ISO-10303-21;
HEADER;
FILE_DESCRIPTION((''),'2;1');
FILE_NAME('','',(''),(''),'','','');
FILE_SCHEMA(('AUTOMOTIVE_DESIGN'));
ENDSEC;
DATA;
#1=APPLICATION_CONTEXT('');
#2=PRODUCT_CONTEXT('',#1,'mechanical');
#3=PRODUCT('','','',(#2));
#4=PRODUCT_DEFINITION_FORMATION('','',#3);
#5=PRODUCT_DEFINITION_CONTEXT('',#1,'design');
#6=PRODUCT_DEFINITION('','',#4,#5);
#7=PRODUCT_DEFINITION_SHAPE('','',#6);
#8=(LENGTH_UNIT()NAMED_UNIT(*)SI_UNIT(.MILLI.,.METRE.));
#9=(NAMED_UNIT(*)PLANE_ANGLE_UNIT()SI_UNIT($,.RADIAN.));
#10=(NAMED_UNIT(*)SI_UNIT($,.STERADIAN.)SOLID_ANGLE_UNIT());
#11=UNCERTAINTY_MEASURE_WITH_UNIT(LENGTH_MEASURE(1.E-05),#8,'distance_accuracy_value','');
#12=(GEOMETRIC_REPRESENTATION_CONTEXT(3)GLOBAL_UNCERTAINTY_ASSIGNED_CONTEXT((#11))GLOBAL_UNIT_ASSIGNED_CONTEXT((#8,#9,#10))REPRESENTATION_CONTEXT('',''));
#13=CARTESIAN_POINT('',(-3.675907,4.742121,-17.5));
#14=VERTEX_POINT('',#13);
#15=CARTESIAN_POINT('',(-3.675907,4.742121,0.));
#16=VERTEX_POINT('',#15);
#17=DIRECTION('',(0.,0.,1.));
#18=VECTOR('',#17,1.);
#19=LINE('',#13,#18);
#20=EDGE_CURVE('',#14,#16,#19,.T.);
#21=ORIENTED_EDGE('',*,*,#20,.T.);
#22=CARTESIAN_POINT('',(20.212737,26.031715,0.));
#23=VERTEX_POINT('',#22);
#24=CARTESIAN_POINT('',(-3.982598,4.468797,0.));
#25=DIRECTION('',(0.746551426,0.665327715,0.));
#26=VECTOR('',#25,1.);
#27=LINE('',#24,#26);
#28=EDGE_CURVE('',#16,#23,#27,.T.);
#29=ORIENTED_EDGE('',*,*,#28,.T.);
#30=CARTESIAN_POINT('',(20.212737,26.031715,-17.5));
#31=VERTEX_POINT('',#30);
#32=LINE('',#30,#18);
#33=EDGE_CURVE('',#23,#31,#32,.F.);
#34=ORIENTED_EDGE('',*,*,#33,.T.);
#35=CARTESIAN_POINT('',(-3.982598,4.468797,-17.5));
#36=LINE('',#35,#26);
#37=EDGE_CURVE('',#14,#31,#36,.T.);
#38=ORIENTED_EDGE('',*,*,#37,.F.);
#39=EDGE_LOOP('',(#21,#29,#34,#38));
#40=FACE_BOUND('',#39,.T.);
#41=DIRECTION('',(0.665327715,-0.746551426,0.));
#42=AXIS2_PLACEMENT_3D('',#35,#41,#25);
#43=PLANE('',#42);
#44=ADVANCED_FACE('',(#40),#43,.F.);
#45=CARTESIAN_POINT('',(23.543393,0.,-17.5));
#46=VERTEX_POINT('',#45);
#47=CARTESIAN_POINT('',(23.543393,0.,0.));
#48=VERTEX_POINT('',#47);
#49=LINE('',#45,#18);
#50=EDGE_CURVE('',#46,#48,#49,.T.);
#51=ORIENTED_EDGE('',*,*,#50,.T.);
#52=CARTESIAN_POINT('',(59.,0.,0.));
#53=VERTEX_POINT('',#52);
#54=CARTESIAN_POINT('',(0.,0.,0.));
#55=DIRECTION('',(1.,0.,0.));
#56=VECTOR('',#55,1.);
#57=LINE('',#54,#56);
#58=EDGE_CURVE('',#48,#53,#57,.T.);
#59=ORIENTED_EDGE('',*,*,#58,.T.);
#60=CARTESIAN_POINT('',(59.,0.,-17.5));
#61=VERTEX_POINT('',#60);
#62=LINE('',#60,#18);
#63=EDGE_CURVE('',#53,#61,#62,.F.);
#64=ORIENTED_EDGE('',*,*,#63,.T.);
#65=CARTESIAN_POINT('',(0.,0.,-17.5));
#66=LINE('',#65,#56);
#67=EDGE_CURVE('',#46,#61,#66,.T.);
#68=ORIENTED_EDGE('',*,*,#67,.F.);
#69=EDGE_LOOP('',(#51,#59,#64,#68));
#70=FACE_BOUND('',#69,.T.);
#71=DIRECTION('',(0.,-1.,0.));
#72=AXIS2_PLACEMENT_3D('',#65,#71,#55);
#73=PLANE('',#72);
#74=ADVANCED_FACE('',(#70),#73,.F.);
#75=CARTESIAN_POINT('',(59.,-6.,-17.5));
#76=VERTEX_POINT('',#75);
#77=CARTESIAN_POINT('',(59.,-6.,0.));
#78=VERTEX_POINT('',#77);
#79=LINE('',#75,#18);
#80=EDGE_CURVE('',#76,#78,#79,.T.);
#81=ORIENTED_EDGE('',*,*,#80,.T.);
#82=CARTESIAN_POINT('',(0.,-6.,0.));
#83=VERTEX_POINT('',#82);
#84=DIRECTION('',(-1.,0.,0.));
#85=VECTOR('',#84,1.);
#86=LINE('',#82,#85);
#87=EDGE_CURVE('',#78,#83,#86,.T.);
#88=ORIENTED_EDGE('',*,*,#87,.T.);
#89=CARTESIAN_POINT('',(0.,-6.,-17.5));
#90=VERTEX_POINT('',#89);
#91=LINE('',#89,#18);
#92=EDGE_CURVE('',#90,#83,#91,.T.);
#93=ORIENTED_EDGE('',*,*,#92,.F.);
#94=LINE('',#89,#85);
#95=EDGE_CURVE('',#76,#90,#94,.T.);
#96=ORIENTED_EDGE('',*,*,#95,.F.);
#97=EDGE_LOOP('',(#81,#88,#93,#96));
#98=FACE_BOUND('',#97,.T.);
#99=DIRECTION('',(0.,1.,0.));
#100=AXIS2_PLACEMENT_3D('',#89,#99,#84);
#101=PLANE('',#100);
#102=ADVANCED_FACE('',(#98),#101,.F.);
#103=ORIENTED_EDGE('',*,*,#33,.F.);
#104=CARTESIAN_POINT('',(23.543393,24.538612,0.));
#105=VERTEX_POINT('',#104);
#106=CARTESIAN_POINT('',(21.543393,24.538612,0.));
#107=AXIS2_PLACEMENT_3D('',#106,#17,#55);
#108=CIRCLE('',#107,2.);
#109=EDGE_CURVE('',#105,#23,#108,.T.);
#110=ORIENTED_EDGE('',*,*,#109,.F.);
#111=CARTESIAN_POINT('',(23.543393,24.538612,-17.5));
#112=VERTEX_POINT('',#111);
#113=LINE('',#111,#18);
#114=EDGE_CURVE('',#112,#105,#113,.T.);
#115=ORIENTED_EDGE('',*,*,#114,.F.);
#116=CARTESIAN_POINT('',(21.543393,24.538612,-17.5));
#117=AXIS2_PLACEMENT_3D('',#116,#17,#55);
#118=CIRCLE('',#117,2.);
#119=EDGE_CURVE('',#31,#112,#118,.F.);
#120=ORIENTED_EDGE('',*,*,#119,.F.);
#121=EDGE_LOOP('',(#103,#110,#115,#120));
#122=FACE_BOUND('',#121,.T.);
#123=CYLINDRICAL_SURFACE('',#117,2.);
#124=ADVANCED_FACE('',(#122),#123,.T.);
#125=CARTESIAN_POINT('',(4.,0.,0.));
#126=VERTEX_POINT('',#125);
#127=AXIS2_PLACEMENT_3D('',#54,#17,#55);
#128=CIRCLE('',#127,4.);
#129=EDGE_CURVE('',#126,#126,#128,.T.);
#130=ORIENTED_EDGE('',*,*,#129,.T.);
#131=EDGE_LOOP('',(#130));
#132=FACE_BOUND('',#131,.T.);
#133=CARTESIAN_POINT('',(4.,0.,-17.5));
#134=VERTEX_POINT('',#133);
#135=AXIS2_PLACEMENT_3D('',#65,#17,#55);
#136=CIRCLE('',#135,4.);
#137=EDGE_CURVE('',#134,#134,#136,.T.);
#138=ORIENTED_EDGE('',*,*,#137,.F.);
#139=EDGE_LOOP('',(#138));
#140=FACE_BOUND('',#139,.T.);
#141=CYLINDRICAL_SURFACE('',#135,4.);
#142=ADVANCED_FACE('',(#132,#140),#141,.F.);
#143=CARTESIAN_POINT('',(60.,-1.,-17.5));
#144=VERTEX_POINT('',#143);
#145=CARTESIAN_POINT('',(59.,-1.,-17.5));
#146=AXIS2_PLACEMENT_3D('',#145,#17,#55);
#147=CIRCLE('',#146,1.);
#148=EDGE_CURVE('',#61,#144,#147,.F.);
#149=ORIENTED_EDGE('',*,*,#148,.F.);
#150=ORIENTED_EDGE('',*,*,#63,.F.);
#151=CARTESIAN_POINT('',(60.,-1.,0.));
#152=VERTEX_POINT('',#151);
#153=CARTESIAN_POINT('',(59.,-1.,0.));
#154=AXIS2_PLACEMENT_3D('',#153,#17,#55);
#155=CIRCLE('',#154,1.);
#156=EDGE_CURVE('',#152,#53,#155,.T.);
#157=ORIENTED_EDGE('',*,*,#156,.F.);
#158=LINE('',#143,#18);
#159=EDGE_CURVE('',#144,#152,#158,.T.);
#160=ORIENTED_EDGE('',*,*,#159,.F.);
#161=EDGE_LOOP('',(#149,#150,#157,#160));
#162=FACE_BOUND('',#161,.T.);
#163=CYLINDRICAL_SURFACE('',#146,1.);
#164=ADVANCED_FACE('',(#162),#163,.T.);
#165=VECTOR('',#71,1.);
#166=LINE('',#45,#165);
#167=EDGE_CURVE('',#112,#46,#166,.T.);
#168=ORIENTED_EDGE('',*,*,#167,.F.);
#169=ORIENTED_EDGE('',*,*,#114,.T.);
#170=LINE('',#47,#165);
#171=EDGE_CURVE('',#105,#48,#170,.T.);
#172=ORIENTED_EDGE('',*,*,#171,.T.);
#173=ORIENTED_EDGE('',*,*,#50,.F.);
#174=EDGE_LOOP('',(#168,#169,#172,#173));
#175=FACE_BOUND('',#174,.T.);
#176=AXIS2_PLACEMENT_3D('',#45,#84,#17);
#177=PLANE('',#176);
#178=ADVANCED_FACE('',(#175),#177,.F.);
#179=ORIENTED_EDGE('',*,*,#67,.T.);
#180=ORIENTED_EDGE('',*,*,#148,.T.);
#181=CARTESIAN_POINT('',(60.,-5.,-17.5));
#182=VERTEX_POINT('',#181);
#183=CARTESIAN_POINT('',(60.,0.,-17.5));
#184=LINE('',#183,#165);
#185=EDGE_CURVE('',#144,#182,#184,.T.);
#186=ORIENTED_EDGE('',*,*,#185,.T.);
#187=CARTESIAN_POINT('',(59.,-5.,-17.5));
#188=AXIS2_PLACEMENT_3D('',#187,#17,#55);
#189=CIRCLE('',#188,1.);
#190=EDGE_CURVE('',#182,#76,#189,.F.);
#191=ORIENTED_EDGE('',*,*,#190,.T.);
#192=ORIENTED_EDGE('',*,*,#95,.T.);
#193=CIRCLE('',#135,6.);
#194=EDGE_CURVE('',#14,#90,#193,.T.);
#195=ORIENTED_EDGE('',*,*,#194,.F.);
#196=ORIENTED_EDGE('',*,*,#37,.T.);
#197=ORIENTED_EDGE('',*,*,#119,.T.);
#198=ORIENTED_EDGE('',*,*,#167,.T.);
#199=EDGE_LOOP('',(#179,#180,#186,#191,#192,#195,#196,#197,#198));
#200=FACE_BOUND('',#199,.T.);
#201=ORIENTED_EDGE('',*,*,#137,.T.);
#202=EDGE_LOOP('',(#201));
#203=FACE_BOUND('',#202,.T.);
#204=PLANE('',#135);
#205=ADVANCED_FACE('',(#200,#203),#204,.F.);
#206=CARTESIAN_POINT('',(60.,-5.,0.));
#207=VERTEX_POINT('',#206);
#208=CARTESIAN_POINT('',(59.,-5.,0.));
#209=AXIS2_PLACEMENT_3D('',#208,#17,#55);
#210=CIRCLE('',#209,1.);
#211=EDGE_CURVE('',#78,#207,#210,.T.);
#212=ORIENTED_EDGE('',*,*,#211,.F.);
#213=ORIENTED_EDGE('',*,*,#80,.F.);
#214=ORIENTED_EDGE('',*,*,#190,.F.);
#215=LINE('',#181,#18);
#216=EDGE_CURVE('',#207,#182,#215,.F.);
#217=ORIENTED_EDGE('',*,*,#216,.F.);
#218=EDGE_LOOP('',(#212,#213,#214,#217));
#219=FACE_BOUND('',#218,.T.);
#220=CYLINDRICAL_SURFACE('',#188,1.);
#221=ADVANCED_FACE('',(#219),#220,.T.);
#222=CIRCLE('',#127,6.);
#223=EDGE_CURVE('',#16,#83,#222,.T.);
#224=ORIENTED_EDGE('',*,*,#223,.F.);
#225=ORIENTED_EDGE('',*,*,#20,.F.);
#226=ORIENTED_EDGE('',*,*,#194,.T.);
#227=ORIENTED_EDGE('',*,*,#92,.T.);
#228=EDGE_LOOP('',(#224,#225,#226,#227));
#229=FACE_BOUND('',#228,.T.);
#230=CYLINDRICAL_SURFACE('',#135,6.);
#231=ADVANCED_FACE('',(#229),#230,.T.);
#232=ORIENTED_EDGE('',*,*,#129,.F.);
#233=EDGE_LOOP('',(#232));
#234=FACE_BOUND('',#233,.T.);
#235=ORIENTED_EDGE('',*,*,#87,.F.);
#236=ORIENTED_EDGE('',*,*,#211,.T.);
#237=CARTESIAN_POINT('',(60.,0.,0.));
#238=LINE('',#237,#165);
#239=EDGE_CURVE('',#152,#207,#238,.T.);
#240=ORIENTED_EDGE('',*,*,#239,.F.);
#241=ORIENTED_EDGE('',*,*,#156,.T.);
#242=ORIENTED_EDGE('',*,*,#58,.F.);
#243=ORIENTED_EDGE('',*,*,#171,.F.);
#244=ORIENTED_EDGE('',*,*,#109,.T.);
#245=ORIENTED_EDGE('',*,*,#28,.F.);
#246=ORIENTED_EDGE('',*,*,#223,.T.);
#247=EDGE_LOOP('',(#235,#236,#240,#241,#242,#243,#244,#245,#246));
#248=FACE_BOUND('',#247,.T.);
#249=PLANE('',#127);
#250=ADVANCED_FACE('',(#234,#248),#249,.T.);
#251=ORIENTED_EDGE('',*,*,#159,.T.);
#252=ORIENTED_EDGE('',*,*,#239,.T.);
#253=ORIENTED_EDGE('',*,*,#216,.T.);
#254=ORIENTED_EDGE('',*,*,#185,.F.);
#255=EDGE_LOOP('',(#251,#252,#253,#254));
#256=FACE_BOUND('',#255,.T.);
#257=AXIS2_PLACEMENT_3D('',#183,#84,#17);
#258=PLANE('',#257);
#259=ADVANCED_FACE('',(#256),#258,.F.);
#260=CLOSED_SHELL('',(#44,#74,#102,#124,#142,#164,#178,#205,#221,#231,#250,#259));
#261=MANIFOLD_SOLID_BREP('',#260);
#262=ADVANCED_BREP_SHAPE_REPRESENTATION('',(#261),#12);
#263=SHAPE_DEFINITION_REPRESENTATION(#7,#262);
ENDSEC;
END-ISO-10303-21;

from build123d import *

# Parameters (mm, degrees)
ESQUISSE1_R        = 6
ESQUISSE1_R_2      = 4
BOSS_EXTRU_1_DEPTH = 17.5
CONG_2_R           = 2
CONG_3_R           = 1
CONG_4_R           = 1


with BuildPart() as part:
    # Esquisse1 → Boss.-Extru.1 (new body)
    # profile 1 of 2: a face of its own
    with BuildSketch(Plane.XY):
        Circle(ESQUISSE1_R)
        Circle(ESQUISSE1_R_2, mode=Mode.SUBTRACT)
    # profile 2 of 2: a face of its own
    with BuildSketch(Plane.XY):
        with BuildLine():
            Line((23.543392678, 29), (-3.675906783, 4.742120762))
            ThreePointArc((-3.675906783, 4.742120762), (2.640507461, 5.387737962), (6, 0))
            ThreePointArc((6, 0), (4.242640687, -4.242640687), (0, -6))
            Line((0, -6), (60, -6))
            Line((60, -6), (60, 0))
            Line((60, 0), (23.543392678, 0))
            Line((23.543392678, 0), (23.543392678, 29))
        make_face()
    extrude(amount=-BOSS_EXTRU_1_DEPTH)

    # Congé2
    cong_2_edges = [part.edges().sort_by_distance(p)[0] for p in [
        (23.543392678, 29, -8.75),
    ]]
    fillet(cong_2_edges, radius=CONG_2_R)

    # Congé3
    cong_3_edges = [part.edges().sort_by_distance(p)[0] for p in [
        (60, 0, -8.75),
    ]]
    fillet(cong_3_edges, radius=CONG_3_R)

    # Congé4
    cong_4_edges = [part.edges().sort_by_distance(p)[0] for p in [
        (60, -6, -8.75),
    ]]
    fillet(cong_4_edges, radius=CONG_4_R)


solid = part.part
